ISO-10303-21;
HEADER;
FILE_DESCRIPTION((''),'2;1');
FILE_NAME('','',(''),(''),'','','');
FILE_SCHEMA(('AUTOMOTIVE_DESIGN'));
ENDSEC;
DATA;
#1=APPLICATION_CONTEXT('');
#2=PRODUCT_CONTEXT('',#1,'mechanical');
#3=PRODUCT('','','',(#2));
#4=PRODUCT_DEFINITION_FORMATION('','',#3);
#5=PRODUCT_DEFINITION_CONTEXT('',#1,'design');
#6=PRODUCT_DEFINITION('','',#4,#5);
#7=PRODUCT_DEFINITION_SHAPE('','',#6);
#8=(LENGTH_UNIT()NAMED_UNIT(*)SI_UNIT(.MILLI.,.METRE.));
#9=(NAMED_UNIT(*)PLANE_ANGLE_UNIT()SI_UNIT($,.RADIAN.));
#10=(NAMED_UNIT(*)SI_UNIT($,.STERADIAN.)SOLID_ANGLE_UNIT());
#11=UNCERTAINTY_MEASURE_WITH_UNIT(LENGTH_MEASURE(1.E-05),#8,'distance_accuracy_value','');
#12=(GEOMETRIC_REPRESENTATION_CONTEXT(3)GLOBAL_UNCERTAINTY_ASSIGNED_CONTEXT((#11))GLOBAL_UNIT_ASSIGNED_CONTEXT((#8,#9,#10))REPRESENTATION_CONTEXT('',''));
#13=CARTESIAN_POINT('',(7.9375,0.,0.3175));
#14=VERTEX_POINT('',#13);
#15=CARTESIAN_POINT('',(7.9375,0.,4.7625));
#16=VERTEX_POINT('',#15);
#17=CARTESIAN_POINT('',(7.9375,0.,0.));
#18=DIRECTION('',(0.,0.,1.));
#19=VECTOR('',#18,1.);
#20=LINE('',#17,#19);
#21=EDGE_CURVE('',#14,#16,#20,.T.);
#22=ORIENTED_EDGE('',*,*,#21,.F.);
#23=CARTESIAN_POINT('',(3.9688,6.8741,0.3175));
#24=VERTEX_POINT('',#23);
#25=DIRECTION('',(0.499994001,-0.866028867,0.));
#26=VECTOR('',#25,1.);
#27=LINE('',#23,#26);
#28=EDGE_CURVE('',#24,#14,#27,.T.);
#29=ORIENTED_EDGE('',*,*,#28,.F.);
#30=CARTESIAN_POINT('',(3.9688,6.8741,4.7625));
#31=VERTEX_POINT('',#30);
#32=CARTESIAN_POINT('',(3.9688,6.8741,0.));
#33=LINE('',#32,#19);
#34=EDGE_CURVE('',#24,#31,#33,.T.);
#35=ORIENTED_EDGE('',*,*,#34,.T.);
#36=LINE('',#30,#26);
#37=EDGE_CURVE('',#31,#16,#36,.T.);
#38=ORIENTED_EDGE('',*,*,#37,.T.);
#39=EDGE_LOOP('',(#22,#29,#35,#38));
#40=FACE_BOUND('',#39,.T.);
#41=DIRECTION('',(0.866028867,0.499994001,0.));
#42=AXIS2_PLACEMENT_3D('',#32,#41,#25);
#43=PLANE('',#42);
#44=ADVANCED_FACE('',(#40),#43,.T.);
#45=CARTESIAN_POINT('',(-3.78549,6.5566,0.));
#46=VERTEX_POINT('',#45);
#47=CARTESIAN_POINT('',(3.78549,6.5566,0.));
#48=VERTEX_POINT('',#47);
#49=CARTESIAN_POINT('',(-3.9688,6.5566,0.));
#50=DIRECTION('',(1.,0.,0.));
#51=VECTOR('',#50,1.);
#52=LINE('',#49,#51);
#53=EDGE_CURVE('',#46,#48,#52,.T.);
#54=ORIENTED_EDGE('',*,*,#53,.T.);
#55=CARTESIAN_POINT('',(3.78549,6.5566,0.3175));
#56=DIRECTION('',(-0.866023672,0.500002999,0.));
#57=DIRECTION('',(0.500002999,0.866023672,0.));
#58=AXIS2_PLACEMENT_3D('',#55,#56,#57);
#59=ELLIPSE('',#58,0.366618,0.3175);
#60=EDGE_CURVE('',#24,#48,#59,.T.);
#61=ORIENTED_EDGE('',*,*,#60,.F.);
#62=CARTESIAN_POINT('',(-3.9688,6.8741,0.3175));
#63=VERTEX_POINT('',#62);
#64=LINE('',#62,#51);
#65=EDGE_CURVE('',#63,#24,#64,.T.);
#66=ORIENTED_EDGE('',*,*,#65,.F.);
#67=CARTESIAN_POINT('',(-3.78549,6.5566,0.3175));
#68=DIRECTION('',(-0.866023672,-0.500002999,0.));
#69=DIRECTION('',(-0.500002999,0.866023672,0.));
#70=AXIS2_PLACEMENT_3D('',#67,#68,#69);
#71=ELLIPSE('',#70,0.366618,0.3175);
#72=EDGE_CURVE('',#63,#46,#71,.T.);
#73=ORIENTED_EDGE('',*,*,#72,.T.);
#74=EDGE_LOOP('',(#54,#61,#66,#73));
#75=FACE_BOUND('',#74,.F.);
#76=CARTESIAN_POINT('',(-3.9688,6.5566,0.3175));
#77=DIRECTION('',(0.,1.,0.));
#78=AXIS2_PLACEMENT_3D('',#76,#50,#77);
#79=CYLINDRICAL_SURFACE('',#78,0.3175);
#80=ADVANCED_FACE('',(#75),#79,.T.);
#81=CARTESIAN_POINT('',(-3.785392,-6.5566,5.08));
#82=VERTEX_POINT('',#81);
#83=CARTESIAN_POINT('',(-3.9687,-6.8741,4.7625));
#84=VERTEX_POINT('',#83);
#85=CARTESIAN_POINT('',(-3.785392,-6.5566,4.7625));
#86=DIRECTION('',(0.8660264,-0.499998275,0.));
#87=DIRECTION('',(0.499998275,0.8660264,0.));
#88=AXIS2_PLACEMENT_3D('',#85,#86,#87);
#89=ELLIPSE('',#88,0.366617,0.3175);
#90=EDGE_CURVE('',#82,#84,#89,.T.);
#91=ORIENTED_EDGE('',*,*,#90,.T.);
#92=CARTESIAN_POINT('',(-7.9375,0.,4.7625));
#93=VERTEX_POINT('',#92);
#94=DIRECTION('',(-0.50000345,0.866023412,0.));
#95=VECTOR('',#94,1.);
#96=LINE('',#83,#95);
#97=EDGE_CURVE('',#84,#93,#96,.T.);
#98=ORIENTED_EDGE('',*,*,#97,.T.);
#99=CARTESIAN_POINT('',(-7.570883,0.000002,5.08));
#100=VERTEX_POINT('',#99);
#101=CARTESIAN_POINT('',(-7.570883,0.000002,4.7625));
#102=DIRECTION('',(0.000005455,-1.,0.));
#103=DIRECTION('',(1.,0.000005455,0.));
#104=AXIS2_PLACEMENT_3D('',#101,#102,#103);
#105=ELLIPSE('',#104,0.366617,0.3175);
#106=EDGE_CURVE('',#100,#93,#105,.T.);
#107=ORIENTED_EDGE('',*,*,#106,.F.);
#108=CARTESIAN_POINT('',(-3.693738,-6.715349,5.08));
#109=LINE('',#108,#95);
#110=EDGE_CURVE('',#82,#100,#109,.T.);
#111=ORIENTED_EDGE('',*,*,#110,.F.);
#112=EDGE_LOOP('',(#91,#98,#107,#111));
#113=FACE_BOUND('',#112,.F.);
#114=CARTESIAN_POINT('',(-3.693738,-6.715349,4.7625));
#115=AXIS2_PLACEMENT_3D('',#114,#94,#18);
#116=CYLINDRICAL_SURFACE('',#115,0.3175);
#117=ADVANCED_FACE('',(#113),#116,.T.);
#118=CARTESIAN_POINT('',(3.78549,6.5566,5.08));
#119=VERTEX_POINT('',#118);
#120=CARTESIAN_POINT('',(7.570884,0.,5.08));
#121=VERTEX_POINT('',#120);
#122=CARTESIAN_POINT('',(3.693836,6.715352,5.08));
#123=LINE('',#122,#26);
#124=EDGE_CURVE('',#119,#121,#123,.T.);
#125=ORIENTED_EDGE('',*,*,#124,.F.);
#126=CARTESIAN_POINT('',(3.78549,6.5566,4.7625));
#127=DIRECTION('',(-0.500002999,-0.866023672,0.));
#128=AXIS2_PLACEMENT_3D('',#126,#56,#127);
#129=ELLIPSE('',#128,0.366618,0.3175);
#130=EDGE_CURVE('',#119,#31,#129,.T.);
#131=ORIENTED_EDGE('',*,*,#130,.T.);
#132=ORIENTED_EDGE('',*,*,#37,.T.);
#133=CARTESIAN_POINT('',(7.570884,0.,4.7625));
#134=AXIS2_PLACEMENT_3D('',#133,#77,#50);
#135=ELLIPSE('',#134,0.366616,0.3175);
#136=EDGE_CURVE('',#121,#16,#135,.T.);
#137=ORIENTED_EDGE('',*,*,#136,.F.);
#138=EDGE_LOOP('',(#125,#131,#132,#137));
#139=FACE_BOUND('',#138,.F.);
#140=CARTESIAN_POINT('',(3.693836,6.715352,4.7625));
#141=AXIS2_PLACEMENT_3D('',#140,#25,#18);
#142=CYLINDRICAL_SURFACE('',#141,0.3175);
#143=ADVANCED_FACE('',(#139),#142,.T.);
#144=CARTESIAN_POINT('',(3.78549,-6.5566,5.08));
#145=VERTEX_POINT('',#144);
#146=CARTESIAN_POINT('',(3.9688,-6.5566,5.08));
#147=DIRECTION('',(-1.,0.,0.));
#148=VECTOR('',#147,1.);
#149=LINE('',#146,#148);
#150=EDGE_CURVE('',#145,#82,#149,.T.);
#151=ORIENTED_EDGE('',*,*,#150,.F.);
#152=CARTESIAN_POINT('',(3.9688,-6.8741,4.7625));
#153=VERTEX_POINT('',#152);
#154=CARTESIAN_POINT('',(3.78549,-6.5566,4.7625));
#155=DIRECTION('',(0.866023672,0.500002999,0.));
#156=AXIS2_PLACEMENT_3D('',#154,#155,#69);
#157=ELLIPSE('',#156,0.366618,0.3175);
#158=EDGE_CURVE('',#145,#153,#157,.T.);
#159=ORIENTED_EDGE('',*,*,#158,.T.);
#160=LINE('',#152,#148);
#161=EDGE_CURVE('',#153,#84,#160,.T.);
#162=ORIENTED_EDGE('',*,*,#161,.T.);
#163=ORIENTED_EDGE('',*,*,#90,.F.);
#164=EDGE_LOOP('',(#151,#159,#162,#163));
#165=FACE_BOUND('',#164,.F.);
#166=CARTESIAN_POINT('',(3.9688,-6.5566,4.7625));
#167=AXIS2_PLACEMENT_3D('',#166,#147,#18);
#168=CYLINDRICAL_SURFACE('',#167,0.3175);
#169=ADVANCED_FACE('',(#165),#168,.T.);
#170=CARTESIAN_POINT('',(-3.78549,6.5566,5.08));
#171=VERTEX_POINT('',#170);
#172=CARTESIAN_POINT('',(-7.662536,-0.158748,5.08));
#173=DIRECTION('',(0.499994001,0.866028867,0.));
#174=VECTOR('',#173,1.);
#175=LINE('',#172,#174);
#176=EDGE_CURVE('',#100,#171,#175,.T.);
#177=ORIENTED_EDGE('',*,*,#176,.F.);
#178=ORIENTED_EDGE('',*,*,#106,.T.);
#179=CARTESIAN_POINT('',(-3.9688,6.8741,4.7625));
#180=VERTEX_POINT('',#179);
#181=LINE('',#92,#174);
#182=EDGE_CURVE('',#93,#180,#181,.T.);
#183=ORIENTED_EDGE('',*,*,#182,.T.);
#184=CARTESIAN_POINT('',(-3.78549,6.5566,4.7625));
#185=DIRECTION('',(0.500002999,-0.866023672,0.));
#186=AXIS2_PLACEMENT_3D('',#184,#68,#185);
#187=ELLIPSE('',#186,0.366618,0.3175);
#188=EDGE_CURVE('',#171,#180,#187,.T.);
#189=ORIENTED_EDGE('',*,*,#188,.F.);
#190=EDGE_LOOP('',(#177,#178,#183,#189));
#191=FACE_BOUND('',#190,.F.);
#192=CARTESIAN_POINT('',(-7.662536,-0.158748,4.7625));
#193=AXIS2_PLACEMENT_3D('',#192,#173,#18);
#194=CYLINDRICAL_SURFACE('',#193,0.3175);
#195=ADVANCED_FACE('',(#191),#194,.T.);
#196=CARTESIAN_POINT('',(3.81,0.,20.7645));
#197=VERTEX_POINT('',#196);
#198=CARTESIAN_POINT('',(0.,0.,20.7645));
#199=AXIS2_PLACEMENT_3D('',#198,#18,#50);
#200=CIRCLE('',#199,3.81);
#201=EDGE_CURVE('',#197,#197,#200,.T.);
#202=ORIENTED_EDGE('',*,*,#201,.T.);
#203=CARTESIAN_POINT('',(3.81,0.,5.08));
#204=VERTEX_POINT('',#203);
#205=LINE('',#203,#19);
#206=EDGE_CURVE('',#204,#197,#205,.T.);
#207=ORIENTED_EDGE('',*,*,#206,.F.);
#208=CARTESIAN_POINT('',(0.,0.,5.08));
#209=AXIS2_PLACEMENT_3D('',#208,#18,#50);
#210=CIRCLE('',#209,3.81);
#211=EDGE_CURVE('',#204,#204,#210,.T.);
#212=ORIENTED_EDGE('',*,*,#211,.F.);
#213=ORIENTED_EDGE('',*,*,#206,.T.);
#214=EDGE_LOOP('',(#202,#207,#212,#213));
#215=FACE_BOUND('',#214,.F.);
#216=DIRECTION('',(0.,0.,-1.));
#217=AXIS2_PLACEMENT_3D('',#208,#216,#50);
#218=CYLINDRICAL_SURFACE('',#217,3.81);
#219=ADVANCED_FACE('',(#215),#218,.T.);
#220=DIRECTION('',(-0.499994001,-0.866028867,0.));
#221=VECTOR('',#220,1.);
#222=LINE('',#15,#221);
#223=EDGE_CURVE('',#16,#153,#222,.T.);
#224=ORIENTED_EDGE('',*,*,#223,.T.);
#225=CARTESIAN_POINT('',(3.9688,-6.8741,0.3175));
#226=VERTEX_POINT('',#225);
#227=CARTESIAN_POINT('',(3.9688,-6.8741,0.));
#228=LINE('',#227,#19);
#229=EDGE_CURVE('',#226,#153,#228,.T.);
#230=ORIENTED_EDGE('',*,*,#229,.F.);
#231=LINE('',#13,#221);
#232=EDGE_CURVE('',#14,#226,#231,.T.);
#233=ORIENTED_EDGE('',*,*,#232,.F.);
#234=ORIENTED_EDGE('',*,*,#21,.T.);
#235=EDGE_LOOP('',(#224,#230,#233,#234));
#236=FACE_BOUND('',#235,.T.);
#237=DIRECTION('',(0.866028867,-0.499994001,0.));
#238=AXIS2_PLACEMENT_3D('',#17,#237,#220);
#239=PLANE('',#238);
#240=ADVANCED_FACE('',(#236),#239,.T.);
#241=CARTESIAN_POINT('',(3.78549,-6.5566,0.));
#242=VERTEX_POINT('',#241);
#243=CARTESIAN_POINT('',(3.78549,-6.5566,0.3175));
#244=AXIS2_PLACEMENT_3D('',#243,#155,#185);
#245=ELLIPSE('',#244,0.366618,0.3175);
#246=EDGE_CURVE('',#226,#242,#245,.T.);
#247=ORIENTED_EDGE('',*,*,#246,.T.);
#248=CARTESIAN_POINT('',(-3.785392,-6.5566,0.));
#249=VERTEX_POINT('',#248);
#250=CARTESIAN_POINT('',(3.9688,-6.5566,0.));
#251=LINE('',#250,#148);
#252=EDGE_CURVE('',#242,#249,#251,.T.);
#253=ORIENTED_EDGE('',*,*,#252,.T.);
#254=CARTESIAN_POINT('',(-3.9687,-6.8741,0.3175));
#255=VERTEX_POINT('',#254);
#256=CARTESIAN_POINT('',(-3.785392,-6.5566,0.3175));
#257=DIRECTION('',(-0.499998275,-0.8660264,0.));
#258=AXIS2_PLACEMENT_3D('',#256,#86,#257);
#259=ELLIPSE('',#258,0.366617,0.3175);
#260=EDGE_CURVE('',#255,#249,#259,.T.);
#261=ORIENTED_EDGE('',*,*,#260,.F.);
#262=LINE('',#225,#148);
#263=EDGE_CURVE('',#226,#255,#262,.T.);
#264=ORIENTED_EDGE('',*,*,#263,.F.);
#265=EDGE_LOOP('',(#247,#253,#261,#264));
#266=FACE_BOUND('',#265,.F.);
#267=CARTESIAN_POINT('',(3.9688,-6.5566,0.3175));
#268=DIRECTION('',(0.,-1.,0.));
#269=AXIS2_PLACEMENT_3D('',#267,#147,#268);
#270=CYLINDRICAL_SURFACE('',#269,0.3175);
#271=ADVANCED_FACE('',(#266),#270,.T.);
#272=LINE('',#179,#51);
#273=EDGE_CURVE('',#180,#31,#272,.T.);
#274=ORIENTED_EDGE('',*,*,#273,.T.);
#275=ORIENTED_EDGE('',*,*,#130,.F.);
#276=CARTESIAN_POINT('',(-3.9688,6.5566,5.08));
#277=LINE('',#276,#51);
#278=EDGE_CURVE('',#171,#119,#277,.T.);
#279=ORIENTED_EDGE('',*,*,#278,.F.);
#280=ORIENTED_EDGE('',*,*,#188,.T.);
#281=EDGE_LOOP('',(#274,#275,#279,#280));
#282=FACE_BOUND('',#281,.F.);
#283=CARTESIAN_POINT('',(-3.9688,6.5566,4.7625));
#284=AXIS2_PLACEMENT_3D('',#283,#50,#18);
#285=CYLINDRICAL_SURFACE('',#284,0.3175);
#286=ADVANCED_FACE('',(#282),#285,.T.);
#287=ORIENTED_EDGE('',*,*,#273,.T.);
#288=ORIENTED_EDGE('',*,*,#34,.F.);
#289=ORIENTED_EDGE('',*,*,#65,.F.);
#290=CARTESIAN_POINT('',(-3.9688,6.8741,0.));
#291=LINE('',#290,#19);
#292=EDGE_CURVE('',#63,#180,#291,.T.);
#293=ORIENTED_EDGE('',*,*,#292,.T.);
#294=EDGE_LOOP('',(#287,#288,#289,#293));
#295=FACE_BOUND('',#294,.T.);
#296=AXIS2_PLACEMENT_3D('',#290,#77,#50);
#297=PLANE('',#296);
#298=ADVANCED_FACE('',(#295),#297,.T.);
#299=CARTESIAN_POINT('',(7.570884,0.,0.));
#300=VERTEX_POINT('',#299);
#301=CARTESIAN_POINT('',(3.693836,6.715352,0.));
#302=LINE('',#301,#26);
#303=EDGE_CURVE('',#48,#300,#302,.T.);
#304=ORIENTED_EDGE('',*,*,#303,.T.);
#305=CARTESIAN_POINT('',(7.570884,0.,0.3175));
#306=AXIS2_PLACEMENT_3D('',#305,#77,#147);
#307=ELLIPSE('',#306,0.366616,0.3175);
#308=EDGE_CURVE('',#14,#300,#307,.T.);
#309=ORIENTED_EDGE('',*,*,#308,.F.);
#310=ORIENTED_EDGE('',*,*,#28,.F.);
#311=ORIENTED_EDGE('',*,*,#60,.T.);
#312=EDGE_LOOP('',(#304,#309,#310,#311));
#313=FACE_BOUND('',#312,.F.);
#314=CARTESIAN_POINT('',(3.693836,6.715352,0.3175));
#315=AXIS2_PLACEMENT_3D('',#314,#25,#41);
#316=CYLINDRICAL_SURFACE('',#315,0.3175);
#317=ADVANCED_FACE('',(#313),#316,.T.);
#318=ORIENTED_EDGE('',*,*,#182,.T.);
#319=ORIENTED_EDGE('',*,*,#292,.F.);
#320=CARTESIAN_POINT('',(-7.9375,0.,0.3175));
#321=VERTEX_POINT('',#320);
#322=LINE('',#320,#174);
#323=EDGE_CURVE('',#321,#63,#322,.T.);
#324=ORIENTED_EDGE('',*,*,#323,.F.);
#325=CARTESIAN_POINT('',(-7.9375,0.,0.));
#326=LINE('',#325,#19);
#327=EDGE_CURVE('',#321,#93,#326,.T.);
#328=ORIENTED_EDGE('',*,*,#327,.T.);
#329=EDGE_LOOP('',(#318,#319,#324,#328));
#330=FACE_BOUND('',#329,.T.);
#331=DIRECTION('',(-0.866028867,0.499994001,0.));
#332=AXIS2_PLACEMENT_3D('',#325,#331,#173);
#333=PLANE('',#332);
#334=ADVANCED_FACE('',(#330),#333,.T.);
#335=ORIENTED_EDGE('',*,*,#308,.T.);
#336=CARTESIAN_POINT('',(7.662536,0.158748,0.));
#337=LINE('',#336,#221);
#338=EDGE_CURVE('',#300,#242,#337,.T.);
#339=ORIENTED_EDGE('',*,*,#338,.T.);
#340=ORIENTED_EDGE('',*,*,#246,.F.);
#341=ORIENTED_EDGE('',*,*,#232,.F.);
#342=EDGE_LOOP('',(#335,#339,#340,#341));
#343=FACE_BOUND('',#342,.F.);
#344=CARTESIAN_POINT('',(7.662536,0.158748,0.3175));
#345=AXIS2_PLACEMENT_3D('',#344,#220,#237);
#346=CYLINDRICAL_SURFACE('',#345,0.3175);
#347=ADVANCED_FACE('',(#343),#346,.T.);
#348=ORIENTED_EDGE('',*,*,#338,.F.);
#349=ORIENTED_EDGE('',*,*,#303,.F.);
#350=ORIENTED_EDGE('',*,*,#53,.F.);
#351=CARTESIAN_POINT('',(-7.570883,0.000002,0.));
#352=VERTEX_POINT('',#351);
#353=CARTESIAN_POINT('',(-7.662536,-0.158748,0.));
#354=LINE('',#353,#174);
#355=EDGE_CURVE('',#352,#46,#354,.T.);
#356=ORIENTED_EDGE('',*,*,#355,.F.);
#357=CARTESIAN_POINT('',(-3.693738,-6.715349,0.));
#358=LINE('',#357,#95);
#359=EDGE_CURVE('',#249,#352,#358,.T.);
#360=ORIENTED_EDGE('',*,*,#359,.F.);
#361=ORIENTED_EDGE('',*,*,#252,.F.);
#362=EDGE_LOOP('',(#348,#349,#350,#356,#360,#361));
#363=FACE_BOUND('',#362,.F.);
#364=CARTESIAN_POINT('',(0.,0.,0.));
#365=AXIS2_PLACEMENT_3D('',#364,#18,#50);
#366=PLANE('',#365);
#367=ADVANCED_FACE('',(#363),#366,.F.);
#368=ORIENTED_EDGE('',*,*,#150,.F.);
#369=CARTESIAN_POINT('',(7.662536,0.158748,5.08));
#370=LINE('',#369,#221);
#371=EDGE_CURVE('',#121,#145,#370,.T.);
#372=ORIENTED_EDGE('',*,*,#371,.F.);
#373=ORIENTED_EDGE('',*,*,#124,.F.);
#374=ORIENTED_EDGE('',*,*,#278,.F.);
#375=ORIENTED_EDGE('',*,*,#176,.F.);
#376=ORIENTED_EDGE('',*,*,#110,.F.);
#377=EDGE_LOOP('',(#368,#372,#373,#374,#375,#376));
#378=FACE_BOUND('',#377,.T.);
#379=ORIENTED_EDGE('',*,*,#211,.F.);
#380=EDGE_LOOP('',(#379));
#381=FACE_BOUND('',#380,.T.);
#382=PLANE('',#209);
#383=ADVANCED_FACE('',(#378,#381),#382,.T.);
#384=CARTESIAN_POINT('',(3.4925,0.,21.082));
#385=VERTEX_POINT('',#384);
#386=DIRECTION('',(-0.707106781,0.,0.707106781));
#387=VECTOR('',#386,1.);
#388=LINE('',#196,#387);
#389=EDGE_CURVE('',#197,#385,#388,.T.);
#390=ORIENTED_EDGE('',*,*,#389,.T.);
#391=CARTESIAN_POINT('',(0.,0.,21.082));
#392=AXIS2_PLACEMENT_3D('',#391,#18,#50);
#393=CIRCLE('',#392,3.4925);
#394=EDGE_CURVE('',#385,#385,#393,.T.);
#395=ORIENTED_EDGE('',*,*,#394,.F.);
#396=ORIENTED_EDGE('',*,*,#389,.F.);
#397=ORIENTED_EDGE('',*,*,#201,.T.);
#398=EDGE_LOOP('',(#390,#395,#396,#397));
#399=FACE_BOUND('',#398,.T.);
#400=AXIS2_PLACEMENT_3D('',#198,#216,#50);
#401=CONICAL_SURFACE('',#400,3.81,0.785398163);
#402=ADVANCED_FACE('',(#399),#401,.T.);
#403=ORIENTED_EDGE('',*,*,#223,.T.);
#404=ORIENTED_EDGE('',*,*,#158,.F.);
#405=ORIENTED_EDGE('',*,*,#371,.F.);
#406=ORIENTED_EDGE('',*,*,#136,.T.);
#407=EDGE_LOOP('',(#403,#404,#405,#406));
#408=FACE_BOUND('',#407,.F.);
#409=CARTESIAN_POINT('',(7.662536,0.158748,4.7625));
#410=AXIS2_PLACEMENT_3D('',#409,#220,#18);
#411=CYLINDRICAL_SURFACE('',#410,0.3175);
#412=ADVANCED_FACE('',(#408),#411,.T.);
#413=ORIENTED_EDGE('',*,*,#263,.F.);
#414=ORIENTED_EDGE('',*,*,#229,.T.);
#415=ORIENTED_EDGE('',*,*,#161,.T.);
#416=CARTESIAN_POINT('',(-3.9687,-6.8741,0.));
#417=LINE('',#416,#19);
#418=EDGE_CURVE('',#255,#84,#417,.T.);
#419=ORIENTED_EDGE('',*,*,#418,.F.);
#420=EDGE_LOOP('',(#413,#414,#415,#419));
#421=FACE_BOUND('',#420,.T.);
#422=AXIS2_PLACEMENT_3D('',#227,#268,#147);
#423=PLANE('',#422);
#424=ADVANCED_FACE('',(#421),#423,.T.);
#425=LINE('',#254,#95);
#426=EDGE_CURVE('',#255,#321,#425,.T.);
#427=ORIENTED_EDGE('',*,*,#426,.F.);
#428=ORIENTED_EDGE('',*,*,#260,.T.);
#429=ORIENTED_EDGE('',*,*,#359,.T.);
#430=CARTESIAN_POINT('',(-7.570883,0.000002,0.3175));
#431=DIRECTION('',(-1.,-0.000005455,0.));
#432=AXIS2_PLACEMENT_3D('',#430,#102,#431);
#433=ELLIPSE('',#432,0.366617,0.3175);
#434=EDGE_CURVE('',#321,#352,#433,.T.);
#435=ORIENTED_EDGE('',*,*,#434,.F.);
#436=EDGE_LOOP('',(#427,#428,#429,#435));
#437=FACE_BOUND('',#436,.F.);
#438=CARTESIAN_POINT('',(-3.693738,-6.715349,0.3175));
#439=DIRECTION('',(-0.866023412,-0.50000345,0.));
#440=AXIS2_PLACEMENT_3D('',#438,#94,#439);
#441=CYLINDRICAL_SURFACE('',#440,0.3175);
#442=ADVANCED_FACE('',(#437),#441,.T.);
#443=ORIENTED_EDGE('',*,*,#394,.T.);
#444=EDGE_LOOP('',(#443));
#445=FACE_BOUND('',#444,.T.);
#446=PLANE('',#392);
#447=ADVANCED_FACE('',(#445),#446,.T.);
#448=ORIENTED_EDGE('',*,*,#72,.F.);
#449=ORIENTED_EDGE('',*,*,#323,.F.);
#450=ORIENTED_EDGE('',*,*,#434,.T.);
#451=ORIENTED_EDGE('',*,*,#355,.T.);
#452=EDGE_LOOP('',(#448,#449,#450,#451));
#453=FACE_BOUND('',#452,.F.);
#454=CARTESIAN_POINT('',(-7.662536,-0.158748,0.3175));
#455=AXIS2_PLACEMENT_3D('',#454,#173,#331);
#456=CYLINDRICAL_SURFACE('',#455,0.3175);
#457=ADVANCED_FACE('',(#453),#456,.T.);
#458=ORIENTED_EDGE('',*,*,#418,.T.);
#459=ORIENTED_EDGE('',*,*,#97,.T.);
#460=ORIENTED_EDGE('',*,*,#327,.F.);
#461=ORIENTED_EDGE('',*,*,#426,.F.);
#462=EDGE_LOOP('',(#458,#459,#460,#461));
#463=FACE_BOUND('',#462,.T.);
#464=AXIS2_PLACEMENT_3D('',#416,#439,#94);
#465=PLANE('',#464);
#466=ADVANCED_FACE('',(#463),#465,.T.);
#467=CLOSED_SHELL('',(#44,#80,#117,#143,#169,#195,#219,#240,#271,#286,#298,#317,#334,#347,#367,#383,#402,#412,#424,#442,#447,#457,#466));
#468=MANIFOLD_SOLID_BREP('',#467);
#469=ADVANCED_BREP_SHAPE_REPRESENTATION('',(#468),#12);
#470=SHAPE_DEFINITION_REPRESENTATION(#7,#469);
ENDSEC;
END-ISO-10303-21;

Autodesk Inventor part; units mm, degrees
ref_plane "YZ Plane" through (0, 0, 0) normal (1, 0, 0) x (0, 1, 0)
ref_plane "XZ Plane" through (0, 0, 0) normal (0, 1, 0) x (-1, 0, 0)
ref_plane "XY Plane" through (0, 0, 0) normal (0, 0, 1) x (1, 0, 0)
sketch "Sketch1" plane through (0, 0, 0) normal (0, 0, 1) x (1, 0, 0)
  line L0 (7.9375, 0) -> (3.9688, -6.8741)
  line L1 (3.9688, -6.8741) -> (-3.9687, -6.8741)
  line L2 (-3.9687, -6.8741) -> (-7.9375, 0)
  line L3 (-7.9375, 0) -> (-3.9688, 6.8741)
  line L4 (-3.9688, 6.8741) -> (3.9688, 6.8741)
  line L5 (3.9688, 6.8741) -> (7.9375, 0)
  point P0 (0, 0)
  point P1 (0, 0)
  dimension "d0" = 15.875
extrude "Extrusion1" add sketch "Sketch1" along normal blind 5.08
sketch "Sketch2" plane through (0, 0, 5.08) normal (0, 0, 1) x (1, 0, 0)
  circle A0 centre (0, 0) radius 3.81
  dimension "d3" = 7.62
extrude "Extrusion2" add sketch "Sketch2" along normal blind 16.002
thread "Thread1" size "10-24 UNC" class "2A" standard "ANSI Unified Screw Threads" full length
chamfer "Chamfer1" distance 0.3175 angle 45 1 edges at (-3.81, 0, 21.082)
fillet "Fillet1" radius 0.3175 12 edges at (5.9531, 3.437, 5.08) (0, 6.8741, 5.08) (-5.9531, 3.437, 5.08) (-5.9531, -3.437, 5.08) (0, -6.8741, 5.08) (5.9531, -3.437, 5.08) (5.9531, -3.437, 0) (0, -6.8741, 0) (-5.9531, -3.437, 0) (-5.9531, 3.437, 0) (0, 6.8741, 0) (5.9531, 3.437, 0)
properties part number "Small Bolt"
